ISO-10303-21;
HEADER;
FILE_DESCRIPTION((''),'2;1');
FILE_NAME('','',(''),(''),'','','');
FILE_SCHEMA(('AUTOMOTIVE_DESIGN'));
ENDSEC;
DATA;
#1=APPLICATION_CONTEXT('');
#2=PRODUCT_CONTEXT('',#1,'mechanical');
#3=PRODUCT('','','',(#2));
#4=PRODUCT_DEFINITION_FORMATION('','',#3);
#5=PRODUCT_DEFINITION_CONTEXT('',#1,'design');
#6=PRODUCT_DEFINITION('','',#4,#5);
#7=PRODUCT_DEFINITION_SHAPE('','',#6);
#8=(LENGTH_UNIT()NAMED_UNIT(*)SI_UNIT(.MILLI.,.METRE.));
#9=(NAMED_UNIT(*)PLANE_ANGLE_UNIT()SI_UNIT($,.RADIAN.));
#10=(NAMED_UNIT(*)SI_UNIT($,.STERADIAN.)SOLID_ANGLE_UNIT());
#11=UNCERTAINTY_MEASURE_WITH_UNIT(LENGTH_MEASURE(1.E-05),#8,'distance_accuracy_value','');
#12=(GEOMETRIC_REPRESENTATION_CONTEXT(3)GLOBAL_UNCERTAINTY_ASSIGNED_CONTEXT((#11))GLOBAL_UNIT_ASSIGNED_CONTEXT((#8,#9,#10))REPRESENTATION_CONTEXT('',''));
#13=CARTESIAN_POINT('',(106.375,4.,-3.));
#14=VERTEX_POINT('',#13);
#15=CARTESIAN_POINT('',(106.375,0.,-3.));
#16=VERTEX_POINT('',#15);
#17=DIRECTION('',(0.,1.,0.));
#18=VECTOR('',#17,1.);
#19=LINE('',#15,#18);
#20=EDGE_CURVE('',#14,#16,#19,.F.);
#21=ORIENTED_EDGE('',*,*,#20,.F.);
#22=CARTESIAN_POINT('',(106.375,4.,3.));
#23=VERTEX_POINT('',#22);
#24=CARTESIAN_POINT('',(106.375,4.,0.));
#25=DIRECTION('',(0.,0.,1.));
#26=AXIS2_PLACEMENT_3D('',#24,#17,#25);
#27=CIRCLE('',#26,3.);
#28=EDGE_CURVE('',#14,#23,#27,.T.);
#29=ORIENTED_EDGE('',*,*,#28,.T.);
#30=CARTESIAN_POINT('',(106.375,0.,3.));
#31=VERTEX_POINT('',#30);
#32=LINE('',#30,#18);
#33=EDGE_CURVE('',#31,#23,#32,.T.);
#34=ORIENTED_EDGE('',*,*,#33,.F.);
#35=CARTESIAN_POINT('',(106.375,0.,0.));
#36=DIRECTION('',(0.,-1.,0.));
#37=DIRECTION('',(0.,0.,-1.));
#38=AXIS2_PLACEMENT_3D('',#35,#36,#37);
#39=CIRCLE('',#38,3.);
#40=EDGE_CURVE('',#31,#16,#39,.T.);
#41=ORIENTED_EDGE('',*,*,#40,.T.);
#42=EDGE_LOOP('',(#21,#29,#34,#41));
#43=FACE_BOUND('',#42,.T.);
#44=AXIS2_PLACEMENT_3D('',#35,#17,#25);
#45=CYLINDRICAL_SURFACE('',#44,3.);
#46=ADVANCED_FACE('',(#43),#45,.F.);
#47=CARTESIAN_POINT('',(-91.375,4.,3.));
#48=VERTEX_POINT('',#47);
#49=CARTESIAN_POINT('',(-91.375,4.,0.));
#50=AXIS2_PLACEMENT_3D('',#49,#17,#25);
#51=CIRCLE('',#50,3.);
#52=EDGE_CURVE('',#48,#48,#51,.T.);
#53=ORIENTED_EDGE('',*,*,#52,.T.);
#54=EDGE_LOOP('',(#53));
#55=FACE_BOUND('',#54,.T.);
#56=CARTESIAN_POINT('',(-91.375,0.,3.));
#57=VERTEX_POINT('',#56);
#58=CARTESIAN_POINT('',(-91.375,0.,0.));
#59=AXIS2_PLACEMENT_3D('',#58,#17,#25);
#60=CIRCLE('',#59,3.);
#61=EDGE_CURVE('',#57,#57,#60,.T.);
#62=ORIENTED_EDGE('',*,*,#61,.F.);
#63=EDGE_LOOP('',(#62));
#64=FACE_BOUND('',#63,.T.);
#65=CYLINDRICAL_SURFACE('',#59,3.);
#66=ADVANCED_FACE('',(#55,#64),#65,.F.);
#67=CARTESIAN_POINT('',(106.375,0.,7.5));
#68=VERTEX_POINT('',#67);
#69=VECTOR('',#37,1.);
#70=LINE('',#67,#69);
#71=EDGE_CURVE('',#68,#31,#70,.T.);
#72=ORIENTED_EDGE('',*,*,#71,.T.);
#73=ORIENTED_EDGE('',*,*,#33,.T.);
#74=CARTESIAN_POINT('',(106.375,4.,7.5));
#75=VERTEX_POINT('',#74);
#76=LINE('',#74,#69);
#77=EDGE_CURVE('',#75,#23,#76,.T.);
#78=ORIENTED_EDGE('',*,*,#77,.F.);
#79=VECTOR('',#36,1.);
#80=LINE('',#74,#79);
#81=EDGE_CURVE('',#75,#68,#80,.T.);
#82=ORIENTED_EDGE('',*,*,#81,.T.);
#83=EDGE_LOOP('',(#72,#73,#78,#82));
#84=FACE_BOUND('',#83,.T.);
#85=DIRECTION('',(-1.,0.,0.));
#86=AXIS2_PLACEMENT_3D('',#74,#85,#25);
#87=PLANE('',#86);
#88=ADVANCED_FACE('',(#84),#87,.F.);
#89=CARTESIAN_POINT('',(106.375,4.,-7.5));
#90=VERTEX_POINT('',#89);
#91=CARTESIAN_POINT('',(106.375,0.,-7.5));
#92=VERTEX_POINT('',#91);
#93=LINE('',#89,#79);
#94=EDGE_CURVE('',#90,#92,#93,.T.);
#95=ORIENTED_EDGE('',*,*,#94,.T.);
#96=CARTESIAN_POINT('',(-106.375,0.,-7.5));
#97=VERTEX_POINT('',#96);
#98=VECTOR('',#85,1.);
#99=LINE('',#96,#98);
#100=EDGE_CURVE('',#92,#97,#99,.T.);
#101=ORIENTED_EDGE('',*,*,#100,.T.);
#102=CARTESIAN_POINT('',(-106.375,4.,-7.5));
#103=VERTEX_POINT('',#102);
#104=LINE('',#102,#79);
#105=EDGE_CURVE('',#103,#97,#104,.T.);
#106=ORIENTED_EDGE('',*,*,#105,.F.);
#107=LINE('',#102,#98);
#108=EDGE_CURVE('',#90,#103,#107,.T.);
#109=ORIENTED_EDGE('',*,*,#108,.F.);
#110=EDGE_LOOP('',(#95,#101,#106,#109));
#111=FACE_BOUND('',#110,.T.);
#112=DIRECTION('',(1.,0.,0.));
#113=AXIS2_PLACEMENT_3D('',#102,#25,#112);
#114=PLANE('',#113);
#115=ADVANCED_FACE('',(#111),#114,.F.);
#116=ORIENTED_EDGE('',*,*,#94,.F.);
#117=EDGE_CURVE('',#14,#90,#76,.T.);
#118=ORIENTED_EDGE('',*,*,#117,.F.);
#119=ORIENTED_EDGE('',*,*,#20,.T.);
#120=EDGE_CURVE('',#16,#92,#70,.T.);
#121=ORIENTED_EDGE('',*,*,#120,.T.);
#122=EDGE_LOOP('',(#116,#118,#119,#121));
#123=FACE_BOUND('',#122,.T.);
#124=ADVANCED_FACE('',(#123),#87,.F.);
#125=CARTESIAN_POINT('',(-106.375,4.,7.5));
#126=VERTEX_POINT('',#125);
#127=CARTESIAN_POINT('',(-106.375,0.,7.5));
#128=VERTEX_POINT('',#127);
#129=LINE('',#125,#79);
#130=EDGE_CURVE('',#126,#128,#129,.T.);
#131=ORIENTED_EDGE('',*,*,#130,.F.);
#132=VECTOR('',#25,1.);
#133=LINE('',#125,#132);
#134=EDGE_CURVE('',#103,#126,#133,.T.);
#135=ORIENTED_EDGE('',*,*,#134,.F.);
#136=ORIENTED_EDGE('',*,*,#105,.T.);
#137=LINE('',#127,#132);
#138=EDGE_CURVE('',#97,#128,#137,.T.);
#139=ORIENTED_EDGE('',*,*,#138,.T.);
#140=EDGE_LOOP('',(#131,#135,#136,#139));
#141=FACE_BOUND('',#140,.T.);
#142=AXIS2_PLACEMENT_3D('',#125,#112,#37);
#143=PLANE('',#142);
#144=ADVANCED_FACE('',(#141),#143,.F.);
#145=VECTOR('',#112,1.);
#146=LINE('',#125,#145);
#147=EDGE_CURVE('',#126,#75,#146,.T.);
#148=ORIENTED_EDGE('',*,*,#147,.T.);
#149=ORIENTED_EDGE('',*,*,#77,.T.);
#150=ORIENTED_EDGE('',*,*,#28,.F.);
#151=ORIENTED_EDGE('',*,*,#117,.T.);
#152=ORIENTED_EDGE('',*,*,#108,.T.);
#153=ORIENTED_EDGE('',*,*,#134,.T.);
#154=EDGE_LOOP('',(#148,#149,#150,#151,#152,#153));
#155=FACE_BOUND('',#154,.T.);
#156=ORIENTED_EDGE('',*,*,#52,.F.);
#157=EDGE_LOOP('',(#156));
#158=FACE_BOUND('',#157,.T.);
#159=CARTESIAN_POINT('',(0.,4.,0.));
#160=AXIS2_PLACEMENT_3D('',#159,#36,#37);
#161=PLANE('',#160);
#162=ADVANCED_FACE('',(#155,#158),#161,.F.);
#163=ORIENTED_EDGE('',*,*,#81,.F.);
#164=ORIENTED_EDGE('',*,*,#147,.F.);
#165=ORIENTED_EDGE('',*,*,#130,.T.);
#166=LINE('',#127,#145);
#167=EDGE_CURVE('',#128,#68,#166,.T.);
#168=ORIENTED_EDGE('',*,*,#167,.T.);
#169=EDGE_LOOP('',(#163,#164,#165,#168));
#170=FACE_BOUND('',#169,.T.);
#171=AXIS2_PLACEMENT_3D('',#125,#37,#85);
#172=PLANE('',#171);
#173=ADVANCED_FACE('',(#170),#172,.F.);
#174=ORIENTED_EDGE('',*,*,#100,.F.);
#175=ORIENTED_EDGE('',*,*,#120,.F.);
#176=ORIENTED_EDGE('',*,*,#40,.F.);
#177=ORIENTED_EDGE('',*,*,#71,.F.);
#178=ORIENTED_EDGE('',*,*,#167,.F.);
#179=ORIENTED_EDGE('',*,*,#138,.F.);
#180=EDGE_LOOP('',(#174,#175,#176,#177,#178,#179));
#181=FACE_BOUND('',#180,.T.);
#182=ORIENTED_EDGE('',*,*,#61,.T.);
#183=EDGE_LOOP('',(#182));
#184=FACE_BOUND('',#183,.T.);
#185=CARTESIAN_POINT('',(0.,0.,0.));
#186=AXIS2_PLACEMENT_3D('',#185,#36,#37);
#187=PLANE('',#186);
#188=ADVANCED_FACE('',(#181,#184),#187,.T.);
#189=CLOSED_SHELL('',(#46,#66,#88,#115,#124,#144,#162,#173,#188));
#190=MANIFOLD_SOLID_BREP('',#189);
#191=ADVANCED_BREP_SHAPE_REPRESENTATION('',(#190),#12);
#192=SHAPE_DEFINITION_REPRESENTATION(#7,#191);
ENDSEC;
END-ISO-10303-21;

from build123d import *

# Parameters (mm, degrees)
SKETCH1_W           = 212.750000014
SKETCH1_H           = 15
BOSS_EXTRUDE1_DEPTH = 4
SKETCH2_R           = 3
CUT_EXTRUDE1_DEPTH  = 107.714060116


with BuildPart() as part:
    # Sketch1 → Boss-Extrude1 (new body)
    with BuildSketch(Plane(origin=(0, 0, 0), x_dir=(1, 0, 0), z_dir=(0, 1, 0))):
        Rectangle(SKETCH1_W, SKETCH1_H)
    extrude(amount=BOSS_EXTRUDE1_DEPTH)

    # Sketch2 → Cut-Extrude1 (cut, through all)
    with BuildSketch(Plane(origin=(0, 4, 0), x_dir=(1, 0, 0), z_dir=(0, 1, 0))):
        with Locations(Location((-91.375000007, 0, 0), (0, 0, 270))):
            Circle(SKETCH2_R)
        with Locations((106.375000007, 0)):
            Circle(SKETCH2_R)
    extrude(amount=-CUT_EXTRUDE1_DEPTH, mode=Mode.SUBTRACT)


solid = part.part
